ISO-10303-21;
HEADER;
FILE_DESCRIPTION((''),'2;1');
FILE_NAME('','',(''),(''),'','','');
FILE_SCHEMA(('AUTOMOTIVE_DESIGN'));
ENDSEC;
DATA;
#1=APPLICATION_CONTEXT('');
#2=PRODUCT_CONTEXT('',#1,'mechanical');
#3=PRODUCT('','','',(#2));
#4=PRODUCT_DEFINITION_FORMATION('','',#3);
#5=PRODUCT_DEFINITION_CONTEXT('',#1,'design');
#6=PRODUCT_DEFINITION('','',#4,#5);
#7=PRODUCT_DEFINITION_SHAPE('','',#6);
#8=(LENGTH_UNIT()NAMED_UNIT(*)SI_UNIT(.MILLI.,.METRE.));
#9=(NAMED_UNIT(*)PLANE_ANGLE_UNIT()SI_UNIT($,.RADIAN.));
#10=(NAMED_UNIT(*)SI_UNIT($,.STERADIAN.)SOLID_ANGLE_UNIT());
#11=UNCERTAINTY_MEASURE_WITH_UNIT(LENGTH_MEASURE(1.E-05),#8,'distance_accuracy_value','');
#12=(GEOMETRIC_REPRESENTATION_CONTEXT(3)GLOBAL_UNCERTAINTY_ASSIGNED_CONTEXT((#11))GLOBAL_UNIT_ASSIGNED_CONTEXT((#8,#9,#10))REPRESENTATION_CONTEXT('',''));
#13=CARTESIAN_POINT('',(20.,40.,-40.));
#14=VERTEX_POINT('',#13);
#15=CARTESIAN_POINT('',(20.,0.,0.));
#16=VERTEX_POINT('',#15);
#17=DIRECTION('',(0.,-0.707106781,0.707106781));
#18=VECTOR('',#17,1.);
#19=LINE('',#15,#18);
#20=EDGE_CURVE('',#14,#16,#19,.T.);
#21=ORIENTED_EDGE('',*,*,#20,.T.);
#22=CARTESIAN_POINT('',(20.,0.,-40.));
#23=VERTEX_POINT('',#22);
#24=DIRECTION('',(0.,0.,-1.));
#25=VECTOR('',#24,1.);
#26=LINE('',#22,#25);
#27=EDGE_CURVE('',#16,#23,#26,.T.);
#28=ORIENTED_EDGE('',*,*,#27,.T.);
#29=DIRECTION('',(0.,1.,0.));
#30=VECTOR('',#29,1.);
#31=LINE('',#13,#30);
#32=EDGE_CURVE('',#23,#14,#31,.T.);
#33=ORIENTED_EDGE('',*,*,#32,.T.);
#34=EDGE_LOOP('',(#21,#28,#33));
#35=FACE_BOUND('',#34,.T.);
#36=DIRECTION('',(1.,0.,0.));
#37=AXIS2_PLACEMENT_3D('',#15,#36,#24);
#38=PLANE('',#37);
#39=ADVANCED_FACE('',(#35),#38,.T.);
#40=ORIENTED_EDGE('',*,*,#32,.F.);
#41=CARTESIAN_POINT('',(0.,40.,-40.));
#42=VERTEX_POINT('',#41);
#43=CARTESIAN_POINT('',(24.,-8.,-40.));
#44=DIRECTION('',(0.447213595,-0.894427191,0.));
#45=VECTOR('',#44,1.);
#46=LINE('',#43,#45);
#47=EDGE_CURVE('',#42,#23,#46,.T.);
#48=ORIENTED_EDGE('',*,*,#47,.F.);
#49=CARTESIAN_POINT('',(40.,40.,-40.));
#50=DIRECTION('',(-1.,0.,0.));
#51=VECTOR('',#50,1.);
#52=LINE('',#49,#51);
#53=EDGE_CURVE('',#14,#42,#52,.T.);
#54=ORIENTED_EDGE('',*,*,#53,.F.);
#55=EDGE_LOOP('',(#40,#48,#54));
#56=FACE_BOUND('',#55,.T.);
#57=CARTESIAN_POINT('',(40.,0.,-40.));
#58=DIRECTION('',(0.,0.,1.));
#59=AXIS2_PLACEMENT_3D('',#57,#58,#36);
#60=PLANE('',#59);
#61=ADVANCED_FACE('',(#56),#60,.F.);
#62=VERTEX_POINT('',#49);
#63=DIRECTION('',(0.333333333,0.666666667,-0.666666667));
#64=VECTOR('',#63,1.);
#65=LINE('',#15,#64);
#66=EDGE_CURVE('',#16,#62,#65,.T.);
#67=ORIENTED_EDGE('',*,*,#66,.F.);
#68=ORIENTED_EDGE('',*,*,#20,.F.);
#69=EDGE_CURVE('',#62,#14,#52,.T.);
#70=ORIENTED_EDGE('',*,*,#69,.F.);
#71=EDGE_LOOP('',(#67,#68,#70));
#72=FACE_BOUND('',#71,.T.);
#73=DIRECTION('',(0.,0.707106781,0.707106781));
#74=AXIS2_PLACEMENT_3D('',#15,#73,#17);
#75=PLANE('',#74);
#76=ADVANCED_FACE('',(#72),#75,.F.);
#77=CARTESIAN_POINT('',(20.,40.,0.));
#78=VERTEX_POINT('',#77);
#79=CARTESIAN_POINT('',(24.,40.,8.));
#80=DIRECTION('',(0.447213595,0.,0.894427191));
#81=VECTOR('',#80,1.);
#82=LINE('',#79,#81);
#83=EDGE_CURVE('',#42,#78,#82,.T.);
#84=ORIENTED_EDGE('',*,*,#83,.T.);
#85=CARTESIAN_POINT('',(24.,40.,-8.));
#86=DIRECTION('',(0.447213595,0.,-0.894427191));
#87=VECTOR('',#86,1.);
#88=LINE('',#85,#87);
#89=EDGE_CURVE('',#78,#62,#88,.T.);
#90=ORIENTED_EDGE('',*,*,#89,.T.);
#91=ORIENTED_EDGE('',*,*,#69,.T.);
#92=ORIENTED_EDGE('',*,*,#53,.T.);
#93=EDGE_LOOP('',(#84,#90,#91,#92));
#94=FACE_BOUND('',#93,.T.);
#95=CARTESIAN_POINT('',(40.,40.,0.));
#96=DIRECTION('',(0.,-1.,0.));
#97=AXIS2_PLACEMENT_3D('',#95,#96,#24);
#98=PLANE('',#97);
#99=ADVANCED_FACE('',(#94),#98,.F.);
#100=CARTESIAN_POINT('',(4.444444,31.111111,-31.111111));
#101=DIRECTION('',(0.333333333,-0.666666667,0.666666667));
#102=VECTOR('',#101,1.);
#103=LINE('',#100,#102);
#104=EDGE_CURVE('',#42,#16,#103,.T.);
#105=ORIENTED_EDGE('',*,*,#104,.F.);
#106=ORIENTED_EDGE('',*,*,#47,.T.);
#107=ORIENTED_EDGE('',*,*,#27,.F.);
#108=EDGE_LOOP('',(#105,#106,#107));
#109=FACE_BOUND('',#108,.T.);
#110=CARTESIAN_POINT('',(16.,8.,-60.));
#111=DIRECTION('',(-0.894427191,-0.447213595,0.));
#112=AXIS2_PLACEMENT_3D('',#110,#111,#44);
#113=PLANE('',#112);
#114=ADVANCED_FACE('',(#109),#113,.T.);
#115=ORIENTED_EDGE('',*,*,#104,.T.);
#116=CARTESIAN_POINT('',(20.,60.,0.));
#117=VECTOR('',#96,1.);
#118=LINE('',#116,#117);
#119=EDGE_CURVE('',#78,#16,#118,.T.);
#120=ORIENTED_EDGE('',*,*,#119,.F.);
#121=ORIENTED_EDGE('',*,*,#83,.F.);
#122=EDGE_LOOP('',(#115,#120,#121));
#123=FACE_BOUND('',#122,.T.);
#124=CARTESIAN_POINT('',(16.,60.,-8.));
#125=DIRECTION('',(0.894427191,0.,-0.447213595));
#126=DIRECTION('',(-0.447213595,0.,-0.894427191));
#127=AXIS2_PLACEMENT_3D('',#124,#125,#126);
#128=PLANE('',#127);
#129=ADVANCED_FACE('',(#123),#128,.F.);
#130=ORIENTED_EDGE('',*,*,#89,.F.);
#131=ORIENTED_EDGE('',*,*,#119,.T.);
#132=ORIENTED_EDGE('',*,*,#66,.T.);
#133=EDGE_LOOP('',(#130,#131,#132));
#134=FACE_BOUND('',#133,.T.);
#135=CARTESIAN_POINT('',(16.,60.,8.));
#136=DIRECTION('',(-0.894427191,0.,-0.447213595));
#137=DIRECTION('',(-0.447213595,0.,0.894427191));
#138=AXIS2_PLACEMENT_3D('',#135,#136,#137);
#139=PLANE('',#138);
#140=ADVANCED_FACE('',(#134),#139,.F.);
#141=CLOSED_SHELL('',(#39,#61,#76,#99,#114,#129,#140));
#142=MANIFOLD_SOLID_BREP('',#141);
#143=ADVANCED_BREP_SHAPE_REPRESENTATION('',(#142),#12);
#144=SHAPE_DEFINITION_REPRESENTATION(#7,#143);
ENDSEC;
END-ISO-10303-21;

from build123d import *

# Parameters (mm, degrees)
SKETCH1_W           = 40
SKETCH1_H           = 40
BOSS_EXTRUDE1_DEPTH = 40
CUT_EXTRUDE1_DEPTH  = 20
CUT_EXTRUDE2_DEPTH  = 60
CUT_EXTRUDE3_DEPTH  = 60


with BuildPart() as part:
    # Sketch1 → Boss-Extrude1 (new body)
    with BuildSketch(Plane(origin=(0, 0, 0), x_dir=(0, 0, -1), z_dir=(1, 0, 0))):
        with Locations((20, 20)):
            Rectangle(SKETCH1_W, SKETCH1_H)
    extrude(amount=BOSS_EXTRUDE1_DEPTH)

    # Sketch2 → Cut-Extrude1 (cut)
    with BuildSketch(Plane(origin=(40, 0, 0), x_dir=(0, 0, -1), z_dir=(1, 0, 0))):
        Polygon((0, 0), (40, 40), (40, 0), align=None)
    extrude(amount=-CUT_EXTRUDE1_DEPTH, mode=Mode.SUBTRACT)

    # Sketch3 → Cut-Extrude2 (cut)
    with BuildSketch(Plane.XY):
        Polygon((0, 0), (20, 0), (0, 40), align=None)
        Polygon((40, 40), (20, 0), (40, 0), align=None)
    extrude(amount=-CUT_EXTRUDE2_DEPTH, mode=Mode.SUBTRACT)

    # Sketch4 → Cut-Extrude3 (cut)
    with BuildSketch(Plane(origin=(0, 0, 0), x_dir=(1, 0, 0), z_dir=(0, 1, 0))):
        Polygon((0, 0), (20, 0), (0, 40), align=None)
        Polygon((40, 40), (20, 0), (40, 0), align=None)
    extrude(amount=CUT_EXTRUDE3_DEPTH, mode=Mode.SUBTRACT)


solid = part.part
